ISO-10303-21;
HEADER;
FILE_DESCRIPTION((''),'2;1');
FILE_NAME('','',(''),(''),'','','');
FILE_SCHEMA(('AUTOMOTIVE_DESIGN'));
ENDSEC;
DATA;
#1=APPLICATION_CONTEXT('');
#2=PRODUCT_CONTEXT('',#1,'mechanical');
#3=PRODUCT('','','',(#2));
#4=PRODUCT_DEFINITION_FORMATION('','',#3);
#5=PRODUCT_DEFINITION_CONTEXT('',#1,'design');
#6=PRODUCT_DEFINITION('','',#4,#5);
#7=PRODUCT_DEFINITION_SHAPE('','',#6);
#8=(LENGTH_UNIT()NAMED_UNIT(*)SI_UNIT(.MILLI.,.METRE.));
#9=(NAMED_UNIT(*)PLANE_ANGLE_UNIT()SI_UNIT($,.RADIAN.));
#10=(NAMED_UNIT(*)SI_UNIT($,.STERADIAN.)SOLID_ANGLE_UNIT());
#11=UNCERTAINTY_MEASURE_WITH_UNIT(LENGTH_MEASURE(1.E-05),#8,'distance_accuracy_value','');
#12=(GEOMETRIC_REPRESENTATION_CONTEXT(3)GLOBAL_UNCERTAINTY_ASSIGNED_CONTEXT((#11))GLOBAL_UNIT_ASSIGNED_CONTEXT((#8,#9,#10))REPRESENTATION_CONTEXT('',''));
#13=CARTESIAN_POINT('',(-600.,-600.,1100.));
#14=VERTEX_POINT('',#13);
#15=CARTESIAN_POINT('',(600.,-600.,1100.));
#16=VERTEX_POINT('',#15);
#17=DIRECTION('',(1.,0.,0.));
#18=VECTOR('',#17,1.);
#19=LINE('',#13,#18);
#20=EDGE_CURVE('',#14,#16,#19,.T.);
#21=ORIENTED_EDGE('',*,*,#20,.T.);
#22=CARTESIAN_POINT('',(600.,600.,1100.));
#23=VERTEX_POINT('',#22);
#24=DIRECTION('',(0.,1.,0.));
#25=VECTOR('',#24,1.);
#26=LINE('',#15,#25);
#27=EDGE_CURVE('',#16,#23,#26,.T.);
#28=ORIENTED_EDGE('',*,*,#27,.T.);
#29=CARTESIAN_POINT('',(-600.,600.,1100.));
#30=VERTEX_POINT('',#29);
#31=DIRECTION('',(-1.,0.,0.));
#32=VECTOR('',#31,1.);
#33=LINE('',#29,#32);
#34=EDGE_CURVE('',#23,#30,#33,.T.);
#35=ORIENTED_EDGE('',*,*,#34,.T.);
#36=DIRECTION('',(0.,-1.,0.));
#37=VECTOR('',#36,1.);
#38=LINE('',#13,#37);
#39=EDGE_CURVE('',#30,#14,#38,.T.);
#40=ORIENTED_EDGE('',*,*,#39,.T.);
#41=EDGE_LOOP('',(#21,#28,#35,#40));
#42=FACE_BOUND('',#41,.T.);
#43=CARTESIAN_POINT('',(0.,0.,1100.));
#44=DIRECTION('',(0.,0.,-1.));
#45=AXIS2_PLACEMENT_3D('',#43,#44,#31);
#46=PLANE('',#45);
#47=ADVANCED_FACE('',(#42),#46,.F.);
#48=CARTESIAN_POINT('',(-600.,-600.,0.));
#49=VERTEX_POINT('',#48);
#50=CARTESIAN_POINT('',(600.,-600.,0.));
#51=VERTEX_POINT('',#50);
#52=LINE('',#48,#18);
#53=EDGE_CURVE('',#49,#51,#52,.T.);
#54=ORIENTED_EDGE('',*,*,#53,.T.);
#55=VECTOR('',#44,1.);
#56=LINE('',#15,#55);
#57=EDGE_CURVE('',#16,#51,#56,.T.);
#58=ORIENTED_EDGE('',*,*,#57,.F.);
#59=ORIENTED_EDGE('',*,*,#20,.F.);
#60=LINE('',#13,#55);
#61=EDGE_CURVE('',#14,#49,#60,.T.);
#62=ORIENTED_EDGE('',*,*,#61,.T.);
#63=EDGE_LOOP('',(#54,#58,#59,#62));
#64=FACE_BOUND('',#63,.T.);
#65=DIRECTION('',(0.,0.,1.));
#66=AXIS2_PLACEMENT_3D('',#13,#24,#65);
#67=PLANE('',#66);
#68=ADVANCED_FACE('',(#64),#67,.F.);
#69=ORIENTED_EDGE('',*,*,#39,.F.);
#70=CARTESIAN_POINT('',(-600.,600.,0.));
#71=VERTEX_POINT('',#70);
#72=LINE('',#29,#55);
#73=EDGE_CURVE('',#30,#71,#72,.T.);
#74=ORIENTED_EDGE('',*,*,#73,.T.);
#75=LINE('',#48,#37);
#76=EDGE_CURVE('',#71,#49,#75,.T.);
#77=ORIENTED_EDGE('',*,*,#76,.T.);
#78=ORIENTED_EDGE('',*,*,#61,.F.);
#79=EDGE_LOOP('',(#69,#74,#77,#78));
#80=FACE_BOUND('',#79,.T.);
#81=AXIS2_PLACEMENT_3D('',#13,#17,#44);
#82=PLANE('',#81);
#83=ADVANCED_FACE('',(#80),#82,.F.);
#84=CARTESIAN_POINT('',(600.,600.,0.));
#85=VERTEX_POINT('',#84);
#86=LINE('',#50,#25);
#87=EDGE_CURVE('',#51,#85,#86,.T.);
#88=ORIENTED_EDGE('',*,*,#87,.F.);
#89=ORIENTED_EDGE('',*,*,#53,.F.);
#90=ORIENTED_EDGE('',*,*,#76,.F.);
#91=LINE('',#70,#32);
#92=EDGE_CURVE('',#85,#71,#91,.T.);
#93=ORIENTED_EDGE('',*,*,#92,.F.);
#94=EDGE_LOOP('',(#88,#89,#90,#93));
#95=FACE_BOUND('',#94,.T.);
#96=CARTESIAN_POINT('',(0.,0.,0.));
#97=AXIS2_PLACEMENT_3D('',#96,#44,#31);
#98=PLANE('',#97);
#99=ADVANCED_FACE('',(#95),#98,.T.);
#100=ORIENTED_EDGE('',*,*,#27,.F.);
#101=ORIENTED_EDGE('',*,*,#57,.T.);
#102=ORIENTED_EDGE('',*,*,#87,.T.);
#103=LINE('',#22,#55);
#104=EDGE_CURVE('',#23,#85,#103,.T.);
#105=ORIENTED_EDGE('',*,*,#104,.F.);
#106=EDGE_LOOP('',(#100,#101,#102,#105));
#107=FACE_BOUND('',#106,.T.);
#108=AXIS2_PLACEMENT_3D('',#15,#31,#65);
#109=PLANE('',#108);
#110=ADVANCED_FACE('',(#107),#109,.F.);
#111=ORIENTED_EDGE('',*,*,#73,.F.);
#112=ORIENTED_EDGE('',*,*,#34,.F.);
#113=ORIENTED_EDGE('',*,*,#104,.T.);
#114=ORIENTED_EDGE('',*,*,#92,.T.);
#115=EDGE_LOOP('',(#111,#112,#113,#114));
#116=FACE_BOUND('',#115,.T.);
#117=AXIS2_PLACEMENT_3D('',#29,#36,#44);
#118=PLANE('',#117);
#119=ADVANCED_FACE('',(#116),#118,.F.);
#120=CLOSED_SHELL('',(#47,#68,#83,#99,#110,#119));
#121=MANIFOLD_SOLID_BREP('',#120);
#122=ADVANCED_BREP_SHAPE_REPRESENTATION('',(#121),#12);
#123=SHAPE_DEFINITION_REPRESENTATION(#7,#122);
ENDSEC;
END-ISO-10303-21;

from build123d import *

# Parameters (mm, degrees)
SKETCH_1_W      = 1200
SKETCH_1_H      = 1200
EXTRUDE_1_DEPTH = 1100


with BuildPart() as part:
    # 草图1 → 凸台-拉伸1 (new body)
    with BuildSketch(Plane.XY):
        Rectangle(SKETCH_1_W, SKETCH_1_H)
    extrude(amount=EXTRUDE_1_DEPTH)


solid = part.part
